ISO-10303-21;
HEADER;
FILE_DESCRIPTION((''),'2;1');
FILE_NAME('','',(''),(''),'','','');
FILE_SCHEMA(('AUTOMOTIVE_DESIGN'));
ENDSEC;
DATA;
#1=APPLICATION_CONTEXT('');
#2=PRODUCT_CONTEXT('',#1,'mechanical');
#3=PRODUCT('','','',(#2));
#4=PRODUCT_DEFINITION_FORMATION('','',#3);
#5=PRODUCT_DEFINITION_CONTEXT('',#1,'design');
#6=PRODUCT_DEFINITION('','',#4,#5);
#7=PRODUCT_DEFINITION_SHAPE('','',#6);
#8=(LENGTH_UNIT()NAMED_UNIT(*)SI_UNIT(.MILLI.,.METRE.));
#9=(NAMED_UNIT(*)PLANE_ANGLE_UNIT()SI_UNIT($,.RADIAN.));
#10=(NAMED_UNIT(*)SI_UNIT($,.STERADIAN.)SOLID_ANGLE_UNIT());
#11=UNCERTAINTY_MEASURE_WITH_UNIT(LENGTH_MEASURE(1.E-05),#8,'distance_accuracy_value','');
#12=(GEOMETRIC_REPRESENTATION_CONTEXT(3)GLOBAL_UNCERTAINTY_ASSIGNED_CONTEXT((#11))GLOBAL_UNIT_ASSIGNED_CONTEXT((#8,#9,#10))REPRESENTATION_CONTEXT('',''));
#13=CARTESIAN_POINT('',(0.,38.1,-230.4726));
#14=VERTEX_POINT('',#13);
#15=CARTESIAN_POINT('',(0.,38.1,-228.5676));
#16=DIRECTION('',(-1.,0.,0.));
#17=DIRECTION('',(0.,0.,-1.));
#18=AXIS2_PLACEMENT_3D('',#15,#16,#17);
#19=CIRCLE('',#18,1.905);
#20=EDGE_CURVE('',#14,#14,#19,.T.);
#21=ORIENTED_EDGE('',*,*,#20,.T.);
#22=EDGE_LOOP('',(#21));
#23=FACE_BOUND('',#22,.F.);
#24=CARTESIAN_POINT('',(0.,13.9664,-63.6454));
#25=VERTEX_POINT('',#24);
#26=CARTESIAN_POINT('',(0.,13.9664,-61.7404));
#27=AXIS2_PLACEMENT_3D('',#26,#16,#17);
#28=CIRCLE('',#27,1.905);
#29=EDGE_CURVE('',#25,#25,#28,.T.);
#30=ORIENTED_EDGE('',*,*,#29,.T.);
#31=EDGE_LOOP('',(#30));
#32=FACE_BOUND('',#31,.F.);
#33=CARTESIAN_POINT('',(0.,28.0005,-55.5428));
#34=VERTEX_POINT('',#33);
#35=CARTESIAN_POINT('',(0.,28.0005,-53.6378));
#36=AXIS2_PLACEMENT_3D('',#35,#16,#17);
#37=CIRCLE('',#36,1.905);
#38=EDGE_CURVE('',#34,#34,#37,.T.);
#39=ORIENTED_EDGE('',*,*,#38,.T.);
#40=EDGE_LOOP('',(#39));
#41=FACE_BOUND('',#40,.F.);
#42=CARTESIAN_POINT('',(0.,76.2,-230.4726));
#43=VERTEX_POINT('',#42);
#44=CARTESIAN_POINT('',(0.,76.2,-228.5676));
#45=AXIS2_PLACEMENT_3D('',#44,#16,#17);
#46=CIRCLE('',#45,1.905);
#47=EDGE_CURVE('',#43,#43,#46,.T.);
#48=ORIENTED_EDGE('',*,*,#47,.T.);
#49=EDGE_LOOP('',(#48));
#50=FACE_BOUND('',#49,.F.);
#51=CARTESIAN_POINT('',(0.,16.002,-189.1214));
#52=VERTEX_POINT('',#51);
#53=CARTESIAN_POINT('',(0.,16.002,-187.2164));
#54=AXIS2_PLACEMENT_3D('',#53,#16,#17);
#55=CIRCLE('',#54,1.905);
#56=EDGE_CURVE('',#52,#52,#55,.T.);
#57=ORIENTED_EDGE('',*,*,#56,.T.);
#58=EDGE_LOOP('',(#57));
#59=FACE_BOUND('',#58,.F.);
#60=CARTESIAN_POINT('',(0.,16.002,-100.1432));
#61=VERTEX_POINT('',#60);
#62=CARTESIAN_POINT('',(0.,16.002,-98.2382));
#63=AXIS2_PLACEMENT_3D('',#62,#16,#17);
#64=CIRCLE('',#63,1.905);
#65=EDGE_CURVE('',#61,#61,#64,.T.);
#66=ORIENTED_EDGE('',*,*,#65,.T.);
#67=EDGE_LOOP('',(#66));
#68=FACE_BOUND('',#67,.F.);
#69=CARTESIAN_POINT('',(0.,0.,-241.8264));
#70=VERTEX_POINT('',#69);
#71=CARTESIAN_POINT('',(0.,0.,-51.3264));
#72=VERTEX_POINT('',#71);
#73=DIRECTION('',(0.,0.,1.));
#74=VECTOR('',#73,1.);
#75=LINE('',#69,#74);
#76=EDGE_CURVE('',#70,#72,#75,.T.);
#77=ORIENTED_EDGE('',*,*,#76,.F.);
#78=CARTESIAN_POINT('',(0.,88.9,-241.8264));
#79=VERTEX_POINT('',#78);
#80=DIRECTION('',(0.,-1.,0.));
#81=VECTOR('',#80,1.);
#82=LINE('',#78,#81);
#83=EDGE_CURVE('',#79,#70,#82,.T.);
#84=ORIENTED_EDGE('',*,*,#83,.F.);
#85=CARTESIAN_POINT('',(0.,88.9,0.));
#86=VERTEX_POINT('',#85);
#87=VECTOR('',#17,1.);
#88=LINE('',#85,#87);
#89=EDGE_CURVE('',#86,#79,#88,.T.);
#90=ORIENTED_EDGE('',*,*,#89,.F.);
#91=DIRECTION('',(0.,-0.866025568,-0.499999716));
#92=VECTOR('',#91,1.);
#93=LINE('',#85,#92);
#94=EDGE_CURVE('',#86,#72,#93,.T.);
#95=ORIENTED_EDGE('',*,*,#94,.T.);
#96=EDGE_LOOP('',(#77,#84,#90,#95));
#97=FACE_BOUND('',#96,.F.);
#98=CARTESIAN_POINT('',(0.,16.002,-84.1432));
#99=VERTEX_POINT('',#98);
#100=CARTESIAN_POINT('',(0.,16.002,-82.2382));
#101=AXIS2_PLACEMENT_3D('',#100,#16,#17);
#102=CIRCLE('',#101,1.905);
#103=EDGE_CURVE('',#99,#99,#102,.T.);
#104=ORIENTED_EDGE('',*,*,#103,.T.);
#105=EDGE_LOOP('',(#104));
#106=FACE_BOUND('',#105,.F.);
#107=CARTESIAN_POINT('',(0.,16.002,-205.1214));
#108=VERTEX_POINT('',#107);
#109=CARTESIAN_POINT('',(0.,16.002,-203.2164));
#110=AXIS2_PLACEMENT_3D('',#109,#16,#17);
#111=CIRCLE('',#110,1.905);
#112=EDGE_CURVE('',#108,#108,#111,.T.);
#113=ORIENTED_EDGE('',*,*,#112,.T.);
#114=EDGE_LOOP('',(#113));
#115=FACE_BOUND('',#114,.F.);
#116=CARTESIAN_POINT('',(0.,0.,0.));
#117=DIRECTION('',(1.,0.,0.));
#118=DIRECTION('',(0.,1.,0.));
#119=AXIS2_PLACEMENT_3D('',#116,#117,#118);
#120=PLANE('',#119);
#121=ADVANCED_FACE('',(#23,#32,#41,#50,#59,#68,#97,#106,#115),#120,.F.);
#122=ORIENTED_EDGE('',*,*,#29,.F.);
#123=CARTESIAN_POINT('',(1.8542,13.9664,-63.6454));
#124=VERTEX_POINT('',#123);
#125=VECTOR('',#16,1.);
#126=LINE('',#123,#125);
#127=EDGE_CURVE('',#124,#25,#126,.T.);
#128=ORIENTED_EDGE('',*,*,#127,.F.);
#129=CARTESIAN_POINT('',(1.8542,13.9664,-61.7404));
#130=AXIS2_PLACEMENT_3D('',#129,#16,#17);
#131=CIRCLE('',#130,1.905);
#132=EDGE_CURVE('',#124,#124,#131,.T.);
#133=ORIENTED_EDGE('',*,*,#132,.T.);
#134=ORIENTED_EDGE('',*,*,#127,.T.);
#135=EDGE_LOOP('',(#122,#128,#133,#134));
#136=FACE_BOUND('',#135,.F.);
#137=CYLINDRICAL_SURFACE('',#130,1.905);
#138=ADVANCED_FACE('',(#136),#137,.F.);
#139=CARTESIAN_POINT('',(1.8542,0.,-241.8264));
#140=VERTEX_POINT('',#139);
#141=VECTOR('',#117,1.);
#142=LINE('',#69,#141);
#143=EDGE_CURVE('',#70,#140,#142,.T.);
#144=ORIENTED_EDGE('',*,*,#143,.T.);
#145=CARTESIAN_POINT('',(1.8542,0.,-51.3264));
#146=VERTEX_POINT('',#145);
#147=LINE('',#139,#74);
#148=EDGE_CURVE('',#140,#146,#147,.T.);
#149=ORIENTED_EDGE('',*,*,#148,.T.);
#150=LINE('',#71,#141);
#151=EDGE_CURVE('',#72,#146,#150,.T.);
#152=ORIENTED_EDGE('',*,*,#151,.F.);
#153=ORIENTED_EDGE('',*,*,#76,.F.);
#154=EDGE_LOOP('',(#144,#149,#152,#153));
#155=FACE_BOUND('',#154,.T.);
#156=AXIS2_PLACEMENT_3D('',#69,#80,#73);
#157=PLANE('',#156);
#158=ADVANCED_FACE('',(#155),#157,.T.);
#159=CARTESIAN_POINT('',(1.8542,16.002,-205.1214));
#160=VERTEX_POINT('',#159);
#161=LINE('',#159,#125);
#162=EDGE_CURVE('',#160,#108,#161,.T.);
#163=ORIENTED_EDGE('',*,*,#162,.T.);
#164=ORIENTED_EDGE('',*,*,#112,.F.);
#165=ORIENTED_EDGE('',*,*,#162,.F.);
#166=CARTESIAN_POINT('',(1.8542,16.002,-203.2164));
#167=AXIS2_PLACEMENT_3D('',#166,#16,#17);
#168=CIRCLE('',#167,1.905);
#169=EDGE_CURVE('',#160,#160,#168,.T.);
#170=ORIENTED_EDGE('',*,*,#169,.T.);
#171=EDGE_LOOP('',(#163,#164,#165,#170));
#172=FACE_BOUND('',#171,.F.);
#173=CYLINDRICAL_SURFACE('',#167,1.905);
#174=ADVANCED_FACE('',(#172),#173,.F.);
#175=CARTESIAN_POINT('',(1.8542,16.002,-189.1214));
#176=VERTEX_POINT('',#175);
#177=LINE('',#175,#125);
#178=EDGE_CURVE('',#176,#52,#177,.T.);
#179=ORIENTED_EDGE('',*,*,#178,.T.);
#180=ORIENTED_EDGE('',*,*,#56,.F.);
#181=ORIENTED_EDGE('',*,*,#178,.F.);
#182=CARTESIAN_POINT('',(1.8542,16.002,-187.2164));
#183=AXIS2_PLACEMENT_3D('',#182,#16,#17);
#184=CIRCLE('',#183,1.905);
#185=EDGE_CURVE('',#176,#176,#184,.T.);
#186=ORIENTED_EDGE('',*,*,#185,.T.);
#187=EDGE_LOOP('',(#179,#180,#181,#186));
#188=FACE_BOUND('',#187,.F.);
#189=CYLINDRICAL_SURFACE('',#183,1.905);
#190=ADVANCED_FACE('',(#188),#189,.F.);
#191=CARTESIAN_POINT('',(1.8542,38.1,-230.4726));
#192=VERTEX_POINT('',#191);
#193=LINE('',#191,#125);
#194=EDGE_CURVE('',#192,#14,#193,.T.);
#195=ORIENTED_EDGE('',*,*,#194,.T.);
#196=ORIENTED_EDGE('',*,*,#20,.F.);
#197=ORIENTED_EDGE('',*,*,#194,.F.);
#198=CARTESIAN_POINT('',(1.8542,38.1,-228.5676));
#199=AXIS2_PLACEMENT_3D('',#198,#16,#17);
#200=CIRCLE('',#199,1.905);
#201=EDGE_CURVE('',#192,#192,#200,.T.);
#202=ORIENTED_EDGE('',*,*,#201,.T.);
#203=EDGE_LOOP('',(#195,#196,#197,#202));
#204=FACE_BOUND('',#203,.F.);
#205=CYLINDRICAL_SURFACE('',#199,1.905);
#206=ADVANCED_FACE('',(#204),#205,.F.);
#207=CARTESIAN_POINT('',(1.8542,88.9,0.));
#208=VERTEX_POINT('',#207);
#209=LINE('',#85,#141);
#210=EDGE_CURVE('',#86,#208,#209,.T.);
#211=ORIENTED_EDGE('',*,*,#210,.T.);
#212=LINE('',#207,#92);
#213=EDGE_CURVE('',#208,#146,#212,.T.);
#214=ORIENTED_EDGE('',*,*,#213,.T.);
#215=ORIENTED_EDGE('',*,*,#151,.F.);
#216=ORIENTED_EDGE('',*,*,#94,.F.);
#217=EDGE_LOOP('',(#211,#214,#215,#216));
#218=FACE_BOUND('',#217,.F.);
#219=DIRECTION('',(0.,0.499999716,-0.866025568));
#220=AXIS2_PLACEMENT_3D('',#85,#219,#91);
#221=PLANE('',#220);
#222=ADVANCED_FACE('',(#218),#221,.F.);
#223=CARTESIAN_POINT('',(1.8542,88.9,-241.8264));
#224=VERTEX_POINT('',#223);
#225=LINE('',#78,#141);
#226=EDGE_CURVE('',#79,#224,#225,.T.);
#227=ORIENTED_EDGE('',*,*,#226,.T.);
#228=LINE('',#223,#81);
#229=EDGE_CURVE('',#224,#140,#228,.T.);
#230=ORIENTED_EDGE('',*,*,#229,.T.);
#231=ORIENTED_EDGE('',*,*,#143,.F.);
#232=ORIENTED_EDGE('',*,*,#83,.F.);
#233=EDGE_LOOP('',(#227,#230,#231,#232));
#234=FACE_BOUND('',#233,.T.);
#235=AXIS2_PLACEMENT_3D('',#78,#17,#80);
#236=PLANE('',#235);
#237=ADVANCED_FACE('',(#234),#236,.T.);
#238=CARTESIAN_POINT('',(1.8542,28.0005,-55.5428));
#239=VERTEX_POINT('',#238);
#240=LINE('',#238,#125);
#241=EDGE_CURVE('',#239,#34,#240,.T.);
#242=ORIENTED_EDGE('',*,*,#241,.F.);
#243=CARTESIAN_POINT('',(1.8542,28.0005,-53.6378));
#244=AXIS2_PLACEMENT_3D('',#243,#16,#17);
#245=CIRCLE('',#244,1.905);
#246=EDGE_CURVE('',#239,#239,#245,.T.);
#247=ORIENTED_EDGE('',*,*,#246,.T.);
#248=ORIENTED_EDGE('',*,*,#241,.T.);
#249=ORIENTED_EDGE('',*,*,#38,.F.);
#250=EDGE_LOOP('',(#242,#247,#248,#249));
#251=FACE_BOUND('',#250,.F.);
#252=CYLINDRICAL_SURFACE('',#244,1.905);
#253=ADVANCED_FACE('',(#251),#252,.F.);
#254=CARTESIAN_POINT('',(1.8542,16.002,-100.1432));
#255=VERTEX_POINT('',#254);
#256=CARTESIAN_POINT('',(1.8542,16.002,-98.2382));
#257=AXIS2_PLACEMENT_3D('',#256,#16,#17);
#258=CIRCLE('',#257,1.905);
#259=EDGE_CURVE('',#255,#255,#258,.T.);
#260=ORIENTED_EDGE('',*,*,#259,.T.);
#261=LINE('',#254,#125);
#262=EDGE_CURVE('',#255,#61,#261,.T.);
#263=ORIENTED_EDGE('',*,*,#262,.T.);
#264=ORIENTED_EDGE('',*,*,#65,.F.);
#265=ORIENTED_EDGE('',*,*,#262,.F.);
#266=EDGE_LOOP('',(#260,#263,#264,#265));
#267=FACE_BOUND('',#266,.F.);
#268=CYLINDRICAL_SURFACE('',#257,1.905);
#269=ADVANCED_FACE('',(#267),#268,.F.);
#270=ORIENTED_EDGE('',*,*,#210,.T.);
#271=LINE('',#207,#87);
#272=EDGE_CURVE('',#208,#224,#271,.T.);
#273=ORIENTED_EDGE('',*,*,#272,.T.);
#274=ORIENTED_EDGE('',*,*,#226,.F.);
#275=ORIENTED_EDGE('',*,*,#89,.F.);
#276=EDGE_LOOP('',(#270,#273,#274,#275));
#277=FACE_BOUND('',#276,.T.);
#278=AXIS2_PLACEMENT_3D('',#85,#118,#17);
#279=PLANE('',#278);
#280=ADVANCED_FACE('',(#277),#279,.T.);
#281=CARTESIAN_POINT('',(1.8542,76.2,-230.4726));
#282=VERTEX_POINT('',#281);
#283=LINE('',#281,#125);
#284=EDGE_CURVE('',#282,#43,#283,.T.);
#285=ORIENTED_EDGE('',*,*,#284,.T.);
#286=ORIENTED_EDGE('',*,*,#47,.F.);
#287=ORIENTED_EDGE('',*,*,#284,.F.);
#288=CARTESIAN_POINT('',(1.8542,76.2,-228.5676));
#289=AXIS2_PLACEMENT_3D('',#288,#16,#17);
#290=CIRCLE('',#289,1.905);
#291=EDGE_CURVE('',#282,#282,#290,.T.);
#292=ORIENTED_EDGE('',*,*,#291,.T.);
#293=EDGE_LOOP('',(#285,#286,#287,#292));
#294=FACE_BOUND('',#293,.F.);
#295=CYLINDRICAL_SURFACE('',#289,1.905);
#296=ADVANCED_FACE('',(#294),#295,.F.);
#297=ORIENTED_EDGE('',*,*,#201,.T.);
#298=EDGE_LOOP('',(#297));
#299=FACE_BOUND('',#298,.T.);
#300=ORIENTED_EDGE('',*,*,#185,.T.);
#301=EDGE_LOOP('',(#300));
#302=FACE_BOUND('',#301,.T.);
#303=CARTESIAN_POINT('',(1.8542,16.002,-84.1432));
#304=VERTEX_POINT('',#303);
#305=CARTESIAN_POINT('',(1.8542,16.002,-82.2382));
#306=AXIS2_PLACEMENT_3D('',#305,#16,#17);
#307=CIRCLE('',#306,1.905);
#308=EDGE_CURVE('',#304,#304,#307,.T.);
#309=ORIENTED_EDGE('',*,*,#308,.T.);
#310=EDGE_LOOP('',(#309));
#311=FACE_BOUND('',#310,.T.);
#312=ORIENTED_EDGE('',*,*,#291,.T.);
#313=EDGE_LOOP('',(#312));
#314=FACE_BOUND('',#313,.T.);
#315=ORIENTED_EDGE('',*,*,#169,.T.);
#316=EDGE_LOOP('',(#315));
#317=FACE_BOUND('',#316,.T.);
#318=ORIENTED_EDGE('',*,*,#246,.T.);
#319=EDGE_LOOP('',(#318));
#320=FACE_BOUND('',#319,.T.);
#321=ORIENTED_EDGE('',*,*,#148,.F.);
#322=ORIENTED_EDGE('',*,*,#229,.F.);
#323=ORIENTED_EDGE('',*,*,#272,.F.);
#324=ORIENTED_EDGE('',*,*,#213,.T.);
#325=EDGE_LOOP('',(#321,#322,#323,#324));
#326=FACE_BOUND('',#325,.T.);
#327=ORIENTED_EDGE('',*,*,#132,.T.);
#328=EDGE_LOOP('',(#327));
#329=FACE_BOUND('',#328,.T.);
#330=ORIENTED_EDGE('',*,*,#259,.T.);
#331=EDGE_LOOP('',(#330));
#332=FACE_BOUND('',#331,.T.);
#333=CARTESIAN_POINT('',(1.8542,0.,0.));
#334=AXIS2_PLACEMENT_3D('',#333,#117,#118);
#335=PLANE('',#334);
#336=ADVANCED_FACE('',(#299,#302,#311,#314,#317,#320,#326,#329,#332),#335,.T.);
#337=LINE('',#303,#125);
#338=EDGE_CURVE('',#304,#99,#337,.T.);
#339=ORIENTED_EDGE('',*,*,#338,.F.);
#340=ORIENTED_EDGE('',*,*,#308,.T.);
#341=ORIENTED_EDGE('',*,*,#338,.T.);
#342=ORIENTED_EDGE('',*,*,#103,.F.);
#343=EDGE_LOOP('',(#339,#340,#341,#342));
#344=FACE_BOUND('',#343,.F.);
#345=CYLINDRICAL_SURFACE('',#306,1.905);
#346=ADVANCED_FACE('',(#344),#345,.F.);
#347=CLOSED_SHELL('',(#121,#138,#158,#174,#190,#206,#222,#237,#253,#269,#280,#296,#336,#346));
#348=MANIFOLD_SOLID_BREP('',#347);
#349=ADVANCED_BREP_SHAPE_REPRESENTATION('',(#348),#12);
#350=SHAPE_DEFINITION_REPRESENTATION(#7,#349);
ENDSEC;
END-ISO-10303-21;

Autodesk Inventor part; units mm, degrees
ref_plane "YZ Plane" through (0, 0, 0) normal (1, 0, 0) x (0, 1, 0)
ref_plane "XZ Plane" through (0, 0, 0) normal (0, 1, 0) x (-1, 0, 0)
ref_plane "XY Plane" through (0, 0, 0) normal (0, 0, 1) x (1, 0, 0)
sketch "Sketch1" plane through (0, 0, 0) normal (1, 0, 0) x (0, 1, 0)
  line L0 (0, 0) -> (88.9, 0)
  line L1 (88.9, 0) -> (88.9, -241.8264)
  line L2 (88.9, -241.8264) -> (0, -241.8264)
  line L3 (0, -241.8264) -> (0, 0)
  line L4 (88.9, 0) -> (0, -51.3264)
  line L5 (88.9, 0) -> (191.5529, 0) construction
  dimension "d0" = 88.9
  dimension "d2" = 150
  dimension "d5" = 190.5
extrude "Extrusion1" add sketch "Sketch1" along normal blind 1.8542 contours L1 L2 L3 L4
sketch "Sketch2" plane through (1.8542, 0, 0) normal (1, 0, 0) x (0, 0, -1)
  line L0 (241.8264, 0) -> (241.8264, 88.9) projected
  line L1 (51.3264, 0) -> (241.8264, 0) projected
  line L2 (0, 88.9) -> (51.3264, 0) projected
  point P0 (0, 0)
  point P1 (82.2382, 16.002)
  point P2 (98.2382, 16.002)
  point P3 (187.2164, 16.002)
  point P4 (203.2164, 16.002)
  point P5 (53.6378, 28.0005)
  point P6 (61.7404, 13.9664)
  dimension "d6" = 16
  dimension "d8" = 16
  dimension "d9" = 16.002
  dimension "d10" = 16.002
  dimension "d11" = 16.002
  dimension "d12" = 16.002
  dimension "d13" = 159.5882
  dimension "d14" = 54.61
  dimension "d22" = 16.002
  dimension "d23" = 16.002
  dimension "d24" = 188.1886
  dimension "d25" = 180.086
hole "Hole1" at (1.8542, 16.002, -82.2382) at (1.8542, 16.002, -98.2382) at (1.8542, 16.002, -187.2164) at (1.8542, 16.002, -203.2164) at (1.8542, 28.0005, -53.6378) at (1.8542, 13.9664, -61.7404) direction (-1, 0, 0) diameter 3.81 depth 10.9728 tip angle 118
sketch "Sketch3" plane through (1.8542, 0, 0) normal (1, 0, 0) x (0, 0, -1)
  line L0 (241.8264, 0) -> (241.8264, 88.9) projected
  line L1 (51.3264, 0) -> (241.8264, 0) projected
  point P0 (0, 0)
  point P1 (228.5676, 76.2)
  point P2 (228.5676, 38.1)
  dimension "d26" = 13.2588
  dimension "d27" = 13.2588
  dimension "d28" = 76.2
  dimension "d29" = 38.1
hole "Hole2" at (1.8542, 76.2, -228.5676) at (1.8542, 38.1, -228.5676) direction (-1, 0, 0) diameter 3.81 depth 10.9728 tip angle 118
equation "\"d8\" = d6"
equation "\"d10\" = d9"
equation "\"d11\" = d9"
equation "\"d12\" = d9"
equation "\"d22\" = d11"
equation "\"d23\" = d22"
equation "\"d27\" = d26"
properties part number "PaddleCollection2.1Casing" material "Polycarbonate, Clear"
